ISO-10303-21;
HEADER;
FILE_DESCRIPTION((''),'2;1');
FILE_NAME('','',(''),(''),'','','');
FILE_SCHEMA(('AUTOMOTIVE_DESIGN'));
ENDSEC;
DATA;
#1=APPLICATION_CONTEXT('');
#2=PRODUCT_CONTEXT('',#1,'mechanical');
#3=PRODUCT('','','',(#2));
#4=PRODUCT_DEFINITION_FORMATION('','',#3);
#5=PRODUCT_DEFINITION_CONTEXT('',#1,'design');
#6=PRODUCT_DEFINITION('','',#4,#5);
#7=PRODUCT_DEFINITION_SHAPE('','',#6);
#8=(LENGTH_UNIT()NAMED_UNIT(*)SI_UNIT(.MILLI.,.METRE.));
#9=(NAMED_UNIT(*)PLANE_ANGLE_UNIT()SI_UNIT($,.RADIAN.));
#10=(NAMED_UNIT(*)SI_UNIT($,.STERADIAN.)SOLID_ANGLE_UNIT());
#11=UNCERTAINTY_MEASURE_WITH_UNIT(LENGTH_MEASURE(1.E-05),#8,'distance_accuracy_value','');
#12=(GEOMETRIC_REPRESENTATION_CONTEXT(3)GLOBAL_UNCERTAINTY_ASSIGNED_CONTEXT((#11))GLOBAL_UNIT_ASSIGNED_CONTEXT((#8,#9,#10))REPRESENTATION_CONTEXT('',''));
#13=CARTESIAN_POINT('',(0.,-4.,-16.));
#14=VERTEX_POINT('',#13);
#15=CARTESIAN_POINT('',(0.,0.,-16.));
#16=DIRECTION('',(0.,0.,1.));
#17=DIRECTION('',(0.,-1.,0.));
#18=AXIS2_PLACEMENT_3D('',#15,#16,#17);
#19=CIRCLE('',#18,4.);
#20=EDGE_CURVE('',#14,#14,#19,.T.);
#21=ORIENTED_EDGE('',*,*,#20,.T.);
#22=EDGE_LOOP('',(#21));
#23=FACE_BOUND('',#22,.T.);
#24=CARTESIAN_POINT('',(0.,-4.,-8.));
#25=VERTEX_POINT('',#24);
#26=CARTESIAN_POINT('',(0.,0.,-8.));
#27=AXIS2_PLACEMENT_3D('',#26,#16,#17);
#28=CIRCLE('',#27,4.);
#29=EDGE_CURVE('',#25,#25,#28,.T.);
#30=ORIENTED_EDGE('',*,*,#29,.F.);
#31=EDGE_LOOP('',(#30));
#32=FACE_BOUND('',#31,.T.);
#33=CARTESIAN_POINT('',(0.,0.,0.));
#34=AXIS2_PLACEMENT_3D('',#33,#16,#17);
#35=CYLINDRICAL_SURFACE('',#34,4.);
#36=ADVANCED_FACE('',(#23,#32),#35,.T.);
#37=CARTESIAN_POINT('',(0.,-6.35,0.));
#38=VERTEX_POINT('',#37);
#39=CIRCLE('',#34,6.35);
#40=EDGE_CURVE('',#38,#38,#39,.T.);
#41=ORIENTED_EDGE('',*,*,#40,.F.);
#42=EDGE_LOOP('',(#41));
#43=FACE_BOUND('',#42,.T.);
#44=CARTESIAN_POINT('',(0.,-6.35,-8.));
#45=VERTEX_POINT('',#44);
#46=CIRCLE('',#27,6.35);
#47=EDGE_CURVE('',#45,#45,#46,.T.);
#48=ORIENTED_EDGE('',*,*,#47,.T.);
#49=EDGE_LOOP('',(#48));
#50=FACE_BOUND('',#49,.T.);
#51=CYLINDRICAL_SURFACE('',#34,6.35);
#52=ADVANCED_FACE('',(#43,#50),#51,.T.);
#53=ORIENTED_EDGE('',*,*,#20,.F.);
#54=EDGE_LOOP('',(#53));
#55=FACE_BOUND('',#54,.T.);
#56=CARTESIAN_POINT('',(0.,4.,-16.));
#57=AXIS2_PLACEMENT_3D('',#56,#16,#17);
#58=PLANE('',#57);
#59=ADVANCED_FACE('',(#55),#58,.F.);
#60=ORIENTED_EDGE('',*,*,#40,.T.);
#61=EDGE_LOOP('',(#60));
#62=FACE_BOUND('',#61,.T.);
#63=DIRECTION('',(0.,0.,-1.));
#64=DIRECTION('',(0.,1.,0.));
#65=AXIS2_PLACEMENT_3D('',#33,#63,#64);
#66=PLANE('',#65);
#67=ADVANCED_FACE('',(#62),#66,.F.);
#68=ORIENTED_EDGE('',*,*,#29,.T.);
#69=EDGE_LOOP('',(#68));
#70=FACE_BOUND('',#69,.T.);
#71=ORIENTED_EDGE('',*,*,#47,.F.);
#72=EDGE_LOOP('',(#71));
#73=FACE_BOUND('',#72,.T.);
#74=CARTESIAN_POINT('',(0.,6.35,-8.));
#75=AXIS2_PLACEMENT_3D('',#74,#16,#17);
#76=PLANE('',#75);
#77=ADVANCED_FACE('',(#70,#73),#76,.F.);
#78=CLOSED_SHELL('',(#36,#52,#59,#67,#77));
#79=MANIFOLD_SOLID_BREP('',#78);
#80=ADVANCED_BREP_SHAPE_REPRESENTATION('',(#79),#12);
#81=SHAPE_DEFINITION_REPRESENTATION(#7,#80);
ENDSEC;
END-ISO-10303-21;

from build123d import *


with BuildPart() as part:
    # 草图1 → 旋转1 (revolve)
    with BuildSketch(Plane(origin=(0, 0, 0), x_dir=(0, 0, -1), z_dir=(1, 0, 0)), mode=Mode.PRIVATE) as revolve_1_sk:
        Polygon((0, 0), (0, 6.35), (8, 6.35), (8, 4), (16, 4), (16, 0), align=None)
    revolve(revolve_1_sk.sketch.rotate(Axis((0, 0, 0), (0, 0, -1)), 180), axis=Axis((0, 0, 0), (0, 0, -1)))


solid = part.part
